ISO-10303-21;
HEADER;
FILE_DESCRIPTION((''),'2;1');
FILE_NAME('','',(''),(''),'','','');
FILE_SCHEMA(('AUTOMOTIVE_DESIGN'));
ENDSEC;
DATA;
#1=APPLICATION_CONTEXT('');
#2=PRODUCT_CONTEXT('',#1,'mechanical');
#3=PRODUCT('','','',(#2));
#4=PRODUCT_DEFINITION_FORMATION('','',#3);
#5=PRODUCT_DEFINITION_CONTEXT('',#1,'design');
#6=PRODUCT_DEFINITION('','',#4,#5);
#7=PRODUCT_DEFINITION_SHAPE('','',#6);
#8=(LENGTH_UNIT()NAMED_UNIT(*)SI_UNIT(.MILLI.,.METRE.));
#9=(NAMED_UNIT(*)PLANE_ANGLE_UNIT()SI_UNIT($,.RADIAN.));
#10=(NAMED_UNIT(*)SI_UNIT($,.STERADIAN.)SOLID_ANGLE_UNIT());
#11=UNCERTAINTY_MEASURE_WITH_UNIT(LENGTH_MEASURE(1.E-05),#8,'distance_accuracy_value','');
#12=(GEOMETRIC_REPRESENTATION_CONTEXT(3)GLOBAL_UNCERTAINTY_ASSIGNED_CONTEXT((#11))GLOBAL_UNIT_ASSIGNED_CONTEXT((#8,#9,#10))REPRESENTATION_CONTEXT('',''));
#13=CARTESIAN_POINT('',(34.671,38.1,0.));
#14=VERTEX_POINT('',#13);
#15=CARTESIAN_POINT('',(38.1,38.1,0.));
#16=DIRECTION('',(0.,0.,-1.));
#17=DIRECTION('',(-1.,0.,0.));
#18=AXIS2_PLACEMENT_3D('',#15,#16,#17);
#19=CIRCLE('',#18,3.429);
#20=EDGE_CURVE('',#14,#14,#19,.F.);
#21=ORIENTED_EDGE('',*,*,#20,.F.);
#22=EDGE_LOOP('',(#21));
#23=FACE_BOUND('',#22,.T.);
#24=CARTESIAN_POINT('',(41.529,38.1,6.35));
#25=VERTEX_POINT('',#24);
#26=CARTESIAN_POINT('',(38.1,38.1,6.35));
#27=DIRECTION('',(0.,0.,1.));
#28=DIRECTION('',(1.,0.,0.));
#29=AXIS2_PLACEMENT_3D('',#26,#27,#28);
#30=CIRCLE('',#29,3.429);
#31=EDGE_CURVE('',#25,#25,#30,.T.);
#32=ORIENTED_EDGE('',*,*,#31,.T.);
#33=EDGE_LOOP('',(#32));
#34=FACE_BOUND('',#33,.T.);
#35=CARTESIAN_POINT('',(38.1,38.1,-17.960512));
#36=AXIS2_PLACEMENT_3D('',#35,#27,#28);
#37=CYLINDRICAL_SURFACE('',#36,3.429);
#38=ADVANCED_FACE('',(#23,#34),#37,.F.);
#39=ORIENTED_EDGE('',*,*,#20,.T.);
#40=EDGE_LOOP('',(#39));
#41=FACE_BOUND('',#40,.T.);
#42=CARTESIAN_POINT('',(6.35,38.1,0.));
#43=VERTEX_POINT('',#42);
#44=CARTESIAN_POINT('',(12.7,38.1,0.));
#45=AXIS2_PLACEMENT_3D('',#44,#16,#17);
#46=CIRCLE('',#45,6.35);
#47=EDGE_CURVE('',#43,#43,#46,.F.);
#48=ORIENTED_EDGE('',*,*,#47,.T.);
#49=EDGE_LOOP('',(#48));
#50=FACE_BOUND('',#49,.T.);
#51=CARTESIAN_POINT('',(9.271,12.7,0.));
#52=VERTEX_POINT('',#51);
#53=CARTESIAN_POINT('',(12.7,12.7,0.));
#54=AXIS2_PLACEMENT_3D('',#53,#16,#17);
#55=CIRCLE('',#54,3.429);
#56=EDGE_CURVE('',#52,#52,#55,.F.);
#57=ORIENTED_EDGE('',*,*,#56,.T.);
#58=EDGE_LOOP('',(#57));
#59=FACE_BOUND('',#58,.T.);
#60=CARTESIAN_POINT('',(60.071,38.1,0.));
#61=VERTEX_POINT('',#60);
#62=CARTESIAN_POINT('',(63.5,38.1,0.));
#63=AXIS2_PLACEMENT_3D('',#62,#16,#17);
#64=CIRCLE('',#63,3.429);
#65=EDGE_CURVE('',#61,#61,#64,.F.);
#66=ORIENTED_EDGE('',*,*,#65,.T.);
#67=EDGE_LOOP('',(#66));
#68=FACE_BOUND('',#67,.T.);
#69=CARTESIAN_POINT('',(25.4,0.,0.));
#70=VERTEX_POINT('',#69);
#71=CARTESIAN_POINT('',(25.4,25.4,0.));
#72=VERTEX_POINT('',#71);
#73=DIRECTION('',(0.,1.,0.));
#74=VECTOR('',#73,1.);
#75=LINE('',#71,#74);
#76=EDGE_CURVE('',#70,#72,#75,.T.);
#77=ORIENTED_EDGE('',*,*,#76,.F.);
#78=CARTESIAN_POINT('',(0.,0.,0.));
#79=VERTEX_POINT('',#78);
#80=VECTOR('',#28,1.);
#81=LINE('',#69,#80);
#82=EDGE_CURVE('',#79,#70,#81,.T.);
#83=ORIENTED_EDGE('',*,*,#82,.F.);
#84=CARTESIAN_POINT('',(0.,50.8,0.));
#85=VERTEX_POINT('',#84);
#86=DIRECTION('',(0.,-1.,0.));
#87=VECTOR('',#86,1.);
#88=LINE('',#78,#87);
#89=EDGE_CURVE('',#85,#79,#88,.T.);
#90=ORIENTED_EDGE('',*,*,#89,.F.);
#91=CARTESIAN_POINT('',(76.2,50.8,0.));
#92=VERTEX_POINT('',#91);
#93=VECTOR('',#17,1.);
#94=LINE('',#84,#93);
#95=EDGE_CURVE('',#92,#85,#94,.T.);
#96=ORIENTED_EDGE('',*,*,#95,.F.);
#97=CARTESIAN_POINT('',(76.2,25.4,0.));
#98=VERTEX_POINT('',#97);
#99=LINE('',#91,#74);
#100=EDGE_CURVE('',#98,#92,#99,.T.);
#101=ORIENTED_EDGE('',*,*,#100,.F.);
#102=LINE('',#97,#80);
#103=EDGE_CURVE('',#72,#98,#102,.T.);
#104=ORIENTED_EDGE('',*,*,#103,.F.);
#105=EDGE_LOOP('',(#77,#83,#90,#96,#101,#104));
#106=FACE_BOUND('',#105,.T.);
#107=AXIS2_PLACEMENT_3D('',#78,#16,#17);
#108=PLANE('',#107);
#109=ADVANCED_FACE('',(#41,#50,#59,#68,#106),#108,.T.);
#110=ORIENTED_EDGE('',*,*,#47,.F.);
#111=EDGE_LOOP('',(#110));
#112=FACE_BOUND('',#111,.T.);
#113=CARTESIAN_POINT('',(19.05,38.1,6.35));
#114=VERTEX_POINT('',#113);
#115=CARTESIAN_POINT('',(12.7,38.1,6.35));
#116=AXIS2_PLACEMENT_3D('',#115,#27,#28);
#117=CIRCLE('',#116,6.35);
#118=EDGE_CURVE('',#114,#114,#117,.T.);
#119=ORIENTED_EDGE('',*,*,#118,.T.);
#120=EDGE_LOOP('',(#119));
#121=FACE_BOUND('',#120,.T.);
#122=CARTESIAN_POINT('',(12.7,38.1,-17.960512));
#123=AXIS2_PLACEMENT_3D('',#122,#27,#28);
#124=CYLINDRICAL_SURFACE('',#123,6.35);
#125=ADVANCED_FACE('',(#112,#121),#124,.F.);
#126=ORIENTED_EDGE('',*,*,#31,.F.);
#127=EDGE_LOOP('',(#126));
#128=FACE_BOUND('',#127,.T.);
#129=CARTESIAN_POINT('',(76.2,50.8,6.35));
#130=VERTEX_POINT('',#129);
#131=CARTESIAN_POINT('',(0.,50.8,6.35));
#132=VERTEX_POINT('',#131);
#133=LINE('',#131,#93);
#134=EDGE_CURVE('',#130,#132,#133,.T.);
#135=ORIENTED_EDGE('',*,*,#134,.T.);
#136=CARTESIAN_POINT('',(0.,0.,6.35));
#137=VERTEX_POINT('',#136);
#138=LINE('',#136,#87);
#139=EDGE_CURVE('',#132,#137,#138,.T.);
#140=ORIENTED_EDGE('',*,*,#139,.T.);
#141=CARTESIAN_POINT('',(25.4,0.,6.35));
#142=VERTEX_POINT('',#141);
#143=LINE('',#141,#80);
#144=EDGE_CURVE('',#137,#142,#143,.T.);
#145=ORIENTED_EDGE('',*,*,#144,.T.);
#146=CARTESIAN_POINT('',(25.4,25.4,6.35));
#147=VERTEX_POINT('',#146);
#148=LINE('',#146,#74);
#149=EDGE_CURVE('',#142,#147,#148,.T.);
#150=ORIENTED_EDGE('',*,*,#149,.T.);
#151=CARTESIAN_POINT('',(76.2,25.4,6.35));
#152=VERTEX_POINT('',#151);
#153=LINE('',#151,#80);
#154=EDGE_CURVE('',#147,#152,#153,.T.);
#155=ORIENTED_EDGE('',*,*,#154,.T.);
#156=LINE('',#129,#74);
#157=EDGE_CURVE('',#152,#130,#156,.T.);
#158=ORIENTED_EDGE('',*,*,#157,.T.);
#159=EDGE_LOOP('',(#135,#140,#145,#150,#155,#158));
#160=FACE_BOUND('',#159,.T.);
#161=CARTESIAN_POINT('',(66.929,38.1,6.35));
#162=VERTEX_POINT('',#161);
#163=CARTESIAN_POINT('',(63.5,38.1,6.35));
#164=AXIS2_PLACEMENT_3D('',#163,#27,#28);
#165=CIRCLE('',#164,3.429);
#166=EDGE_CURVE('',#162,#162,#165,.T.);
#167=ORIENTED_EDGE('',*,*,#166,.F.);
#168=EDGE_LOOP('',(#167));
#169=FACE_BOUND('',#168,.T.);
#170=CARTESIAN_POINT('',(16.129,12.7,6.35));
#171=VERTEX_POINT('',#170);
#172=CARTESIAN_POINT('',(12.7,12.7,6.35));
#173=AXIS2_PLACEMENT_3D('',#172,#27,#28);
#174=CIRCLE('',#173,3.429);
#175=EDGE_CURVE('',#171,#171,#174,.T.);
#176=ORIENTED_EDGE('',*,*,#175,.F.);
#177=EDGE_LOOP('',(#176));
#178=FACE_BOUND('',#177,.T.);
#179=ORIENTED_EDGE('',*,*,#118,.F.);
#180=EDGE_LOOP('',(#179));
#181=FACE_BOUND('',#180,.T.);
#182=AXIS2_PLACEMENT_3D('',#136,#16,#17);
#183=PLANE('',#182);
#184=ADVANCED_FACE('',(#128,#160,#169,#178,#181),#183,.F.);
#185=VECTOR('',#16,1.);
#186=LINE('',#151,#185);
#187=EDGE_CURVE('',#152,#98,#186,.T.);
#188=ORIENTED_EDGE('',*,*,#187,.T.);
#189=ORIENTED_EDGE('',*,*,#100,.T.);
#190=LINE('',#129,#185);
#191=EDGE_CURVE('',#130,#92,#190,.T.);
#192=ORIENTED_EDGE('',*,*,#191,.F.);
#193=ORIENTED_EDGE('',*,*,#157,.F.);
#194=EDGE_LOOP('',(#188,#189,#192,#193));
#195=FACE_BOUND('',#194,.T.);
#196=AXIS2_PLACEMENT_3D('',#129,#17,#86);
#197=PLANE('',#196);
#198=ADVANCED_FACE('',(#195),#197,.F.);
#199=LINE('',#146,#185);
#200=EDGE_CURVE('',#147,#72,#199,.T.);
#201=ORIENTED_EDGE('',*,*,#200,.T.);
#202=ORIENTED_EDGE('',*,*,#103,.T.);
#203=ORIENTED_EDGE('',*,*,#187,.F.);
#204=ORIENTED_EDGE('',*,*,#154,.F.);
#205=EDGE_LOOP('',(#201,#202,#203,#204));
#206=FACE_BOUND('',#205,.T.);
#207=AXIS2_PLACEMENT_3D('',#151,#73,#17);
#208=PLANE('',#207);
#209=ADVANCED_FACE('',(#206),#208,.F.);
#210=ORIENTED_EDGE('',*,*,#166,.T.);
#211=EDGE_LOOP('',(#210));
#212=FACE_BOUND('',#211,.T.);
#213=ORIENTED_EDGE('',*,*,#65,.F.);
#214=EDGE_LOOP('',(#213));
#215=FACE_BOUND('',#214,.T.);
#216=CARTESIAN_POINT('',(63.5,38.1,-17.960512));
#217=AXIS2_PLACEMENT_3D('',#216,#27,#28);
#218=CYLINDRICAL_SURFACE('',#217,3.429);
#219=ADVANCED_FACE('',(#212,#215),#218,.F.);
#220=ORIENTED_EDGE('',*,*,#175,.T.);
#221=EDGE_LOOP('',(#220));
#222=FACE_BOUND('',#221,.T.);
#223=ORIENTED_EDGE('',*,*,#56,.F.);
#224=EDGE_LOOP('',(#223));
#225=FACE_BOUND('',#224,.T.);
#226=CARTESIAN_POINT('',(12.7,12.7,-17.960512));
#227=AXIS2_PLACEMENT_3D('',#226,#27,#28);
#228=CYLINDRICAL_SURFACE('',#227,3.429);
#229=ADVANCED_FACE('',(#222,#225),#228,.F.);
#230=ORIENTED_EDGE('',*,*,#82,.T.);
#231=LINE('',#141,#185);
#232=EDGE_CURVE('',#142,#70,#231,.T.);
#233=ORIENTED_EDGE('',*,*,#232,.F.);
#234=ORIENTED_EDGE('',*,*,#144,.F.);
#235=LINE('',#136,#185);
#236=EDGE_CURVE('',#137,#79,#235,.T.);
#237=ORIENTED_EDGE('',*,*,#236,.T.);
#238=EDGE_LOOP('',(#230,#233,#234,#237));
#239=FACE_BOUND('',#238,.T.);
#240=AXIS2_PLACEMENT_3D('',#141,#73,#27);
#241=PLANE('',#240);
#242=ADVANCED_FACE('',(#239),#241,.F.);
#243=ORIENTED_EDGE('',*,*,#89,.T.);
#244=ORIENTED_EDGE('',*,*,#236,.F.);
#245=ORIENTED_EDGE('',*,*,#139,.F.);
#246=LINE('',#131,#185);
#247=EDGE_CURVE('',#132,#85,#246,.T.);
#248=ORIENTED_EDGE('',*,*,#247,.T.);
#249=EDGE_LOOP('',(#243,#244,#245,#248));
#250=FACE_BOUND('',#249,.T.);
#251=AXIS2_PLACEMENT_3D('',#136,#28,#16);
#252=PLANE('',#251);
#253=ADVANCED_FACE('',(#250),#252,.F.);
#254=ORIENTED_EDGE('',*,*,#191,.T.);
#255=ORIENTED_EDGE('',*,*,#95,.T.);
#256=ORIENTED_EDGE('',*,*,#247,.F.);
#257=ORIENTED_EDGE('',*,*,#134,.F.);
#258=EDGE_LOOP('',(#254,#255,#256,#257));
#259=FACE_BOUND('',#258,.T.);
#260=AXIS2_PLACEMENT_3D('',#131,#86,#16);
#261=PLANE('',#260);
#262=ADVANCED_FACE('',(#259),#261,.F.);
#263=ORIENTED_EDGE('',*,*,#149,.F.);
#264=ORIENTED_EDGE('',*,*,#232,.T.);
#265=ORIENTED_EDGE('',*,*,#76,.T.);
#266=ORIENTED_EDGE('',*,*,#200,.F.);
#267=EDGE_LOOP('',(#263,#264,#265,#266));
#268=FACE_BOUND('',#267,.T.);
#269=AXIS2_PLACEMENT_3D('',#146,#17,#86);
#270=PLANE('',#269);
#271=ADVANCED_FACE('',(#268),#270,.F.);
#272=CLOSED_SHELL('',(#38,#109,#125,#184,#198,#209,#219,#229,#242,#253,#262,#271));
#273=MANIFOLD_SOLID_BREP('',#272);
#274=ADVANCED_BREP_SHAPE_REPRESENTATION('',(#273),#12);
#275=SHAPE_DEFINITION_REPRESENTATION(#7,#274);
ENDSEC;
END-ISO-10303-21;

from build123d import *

# Parameters (mm, degrees)
BOSS_EXTRUDE1_DEPTH = 6.35
SKETCH2_R           = 6.35
SKETCH2_R_2         = 3.429
CUT_EXTRUDE1_DEPTH  = 6.35


with BuildPart() as part:
    # Sketch1 → Boss-Extrude1 (new body)
    with BuildSketch(Plane.XY):
        Polygon((0, 0), (0, 50.8), (76.2, 50.8), (76.2, 25.4), (25.4, 25.4), (25.4, 0), align=None)
    extrude(amount=BOSS_EXTRUDE1_DEPTH)

    # Sketch2 → Cut-Extrude1 (cut)
    with BuildSketch(Plane.XY.offset(6.35)):
        with Locations((12.7, 38.1)):
            Circle(SKETCH2_R)
        with Locations((12.7, 12.7)):
            Circle(SKETCH2_R_2)
        with Locations((38.1, 38.1)):
            Circle(SKETCH2_R_2)
        with Locations((63.5, 38.1)):
            Circle(SKETCH2_R_2)
    extrude(amount=-CUT_EXTRUDE1_DEPTH, mode=Mode.SUBTRACT)


solid = part.part
